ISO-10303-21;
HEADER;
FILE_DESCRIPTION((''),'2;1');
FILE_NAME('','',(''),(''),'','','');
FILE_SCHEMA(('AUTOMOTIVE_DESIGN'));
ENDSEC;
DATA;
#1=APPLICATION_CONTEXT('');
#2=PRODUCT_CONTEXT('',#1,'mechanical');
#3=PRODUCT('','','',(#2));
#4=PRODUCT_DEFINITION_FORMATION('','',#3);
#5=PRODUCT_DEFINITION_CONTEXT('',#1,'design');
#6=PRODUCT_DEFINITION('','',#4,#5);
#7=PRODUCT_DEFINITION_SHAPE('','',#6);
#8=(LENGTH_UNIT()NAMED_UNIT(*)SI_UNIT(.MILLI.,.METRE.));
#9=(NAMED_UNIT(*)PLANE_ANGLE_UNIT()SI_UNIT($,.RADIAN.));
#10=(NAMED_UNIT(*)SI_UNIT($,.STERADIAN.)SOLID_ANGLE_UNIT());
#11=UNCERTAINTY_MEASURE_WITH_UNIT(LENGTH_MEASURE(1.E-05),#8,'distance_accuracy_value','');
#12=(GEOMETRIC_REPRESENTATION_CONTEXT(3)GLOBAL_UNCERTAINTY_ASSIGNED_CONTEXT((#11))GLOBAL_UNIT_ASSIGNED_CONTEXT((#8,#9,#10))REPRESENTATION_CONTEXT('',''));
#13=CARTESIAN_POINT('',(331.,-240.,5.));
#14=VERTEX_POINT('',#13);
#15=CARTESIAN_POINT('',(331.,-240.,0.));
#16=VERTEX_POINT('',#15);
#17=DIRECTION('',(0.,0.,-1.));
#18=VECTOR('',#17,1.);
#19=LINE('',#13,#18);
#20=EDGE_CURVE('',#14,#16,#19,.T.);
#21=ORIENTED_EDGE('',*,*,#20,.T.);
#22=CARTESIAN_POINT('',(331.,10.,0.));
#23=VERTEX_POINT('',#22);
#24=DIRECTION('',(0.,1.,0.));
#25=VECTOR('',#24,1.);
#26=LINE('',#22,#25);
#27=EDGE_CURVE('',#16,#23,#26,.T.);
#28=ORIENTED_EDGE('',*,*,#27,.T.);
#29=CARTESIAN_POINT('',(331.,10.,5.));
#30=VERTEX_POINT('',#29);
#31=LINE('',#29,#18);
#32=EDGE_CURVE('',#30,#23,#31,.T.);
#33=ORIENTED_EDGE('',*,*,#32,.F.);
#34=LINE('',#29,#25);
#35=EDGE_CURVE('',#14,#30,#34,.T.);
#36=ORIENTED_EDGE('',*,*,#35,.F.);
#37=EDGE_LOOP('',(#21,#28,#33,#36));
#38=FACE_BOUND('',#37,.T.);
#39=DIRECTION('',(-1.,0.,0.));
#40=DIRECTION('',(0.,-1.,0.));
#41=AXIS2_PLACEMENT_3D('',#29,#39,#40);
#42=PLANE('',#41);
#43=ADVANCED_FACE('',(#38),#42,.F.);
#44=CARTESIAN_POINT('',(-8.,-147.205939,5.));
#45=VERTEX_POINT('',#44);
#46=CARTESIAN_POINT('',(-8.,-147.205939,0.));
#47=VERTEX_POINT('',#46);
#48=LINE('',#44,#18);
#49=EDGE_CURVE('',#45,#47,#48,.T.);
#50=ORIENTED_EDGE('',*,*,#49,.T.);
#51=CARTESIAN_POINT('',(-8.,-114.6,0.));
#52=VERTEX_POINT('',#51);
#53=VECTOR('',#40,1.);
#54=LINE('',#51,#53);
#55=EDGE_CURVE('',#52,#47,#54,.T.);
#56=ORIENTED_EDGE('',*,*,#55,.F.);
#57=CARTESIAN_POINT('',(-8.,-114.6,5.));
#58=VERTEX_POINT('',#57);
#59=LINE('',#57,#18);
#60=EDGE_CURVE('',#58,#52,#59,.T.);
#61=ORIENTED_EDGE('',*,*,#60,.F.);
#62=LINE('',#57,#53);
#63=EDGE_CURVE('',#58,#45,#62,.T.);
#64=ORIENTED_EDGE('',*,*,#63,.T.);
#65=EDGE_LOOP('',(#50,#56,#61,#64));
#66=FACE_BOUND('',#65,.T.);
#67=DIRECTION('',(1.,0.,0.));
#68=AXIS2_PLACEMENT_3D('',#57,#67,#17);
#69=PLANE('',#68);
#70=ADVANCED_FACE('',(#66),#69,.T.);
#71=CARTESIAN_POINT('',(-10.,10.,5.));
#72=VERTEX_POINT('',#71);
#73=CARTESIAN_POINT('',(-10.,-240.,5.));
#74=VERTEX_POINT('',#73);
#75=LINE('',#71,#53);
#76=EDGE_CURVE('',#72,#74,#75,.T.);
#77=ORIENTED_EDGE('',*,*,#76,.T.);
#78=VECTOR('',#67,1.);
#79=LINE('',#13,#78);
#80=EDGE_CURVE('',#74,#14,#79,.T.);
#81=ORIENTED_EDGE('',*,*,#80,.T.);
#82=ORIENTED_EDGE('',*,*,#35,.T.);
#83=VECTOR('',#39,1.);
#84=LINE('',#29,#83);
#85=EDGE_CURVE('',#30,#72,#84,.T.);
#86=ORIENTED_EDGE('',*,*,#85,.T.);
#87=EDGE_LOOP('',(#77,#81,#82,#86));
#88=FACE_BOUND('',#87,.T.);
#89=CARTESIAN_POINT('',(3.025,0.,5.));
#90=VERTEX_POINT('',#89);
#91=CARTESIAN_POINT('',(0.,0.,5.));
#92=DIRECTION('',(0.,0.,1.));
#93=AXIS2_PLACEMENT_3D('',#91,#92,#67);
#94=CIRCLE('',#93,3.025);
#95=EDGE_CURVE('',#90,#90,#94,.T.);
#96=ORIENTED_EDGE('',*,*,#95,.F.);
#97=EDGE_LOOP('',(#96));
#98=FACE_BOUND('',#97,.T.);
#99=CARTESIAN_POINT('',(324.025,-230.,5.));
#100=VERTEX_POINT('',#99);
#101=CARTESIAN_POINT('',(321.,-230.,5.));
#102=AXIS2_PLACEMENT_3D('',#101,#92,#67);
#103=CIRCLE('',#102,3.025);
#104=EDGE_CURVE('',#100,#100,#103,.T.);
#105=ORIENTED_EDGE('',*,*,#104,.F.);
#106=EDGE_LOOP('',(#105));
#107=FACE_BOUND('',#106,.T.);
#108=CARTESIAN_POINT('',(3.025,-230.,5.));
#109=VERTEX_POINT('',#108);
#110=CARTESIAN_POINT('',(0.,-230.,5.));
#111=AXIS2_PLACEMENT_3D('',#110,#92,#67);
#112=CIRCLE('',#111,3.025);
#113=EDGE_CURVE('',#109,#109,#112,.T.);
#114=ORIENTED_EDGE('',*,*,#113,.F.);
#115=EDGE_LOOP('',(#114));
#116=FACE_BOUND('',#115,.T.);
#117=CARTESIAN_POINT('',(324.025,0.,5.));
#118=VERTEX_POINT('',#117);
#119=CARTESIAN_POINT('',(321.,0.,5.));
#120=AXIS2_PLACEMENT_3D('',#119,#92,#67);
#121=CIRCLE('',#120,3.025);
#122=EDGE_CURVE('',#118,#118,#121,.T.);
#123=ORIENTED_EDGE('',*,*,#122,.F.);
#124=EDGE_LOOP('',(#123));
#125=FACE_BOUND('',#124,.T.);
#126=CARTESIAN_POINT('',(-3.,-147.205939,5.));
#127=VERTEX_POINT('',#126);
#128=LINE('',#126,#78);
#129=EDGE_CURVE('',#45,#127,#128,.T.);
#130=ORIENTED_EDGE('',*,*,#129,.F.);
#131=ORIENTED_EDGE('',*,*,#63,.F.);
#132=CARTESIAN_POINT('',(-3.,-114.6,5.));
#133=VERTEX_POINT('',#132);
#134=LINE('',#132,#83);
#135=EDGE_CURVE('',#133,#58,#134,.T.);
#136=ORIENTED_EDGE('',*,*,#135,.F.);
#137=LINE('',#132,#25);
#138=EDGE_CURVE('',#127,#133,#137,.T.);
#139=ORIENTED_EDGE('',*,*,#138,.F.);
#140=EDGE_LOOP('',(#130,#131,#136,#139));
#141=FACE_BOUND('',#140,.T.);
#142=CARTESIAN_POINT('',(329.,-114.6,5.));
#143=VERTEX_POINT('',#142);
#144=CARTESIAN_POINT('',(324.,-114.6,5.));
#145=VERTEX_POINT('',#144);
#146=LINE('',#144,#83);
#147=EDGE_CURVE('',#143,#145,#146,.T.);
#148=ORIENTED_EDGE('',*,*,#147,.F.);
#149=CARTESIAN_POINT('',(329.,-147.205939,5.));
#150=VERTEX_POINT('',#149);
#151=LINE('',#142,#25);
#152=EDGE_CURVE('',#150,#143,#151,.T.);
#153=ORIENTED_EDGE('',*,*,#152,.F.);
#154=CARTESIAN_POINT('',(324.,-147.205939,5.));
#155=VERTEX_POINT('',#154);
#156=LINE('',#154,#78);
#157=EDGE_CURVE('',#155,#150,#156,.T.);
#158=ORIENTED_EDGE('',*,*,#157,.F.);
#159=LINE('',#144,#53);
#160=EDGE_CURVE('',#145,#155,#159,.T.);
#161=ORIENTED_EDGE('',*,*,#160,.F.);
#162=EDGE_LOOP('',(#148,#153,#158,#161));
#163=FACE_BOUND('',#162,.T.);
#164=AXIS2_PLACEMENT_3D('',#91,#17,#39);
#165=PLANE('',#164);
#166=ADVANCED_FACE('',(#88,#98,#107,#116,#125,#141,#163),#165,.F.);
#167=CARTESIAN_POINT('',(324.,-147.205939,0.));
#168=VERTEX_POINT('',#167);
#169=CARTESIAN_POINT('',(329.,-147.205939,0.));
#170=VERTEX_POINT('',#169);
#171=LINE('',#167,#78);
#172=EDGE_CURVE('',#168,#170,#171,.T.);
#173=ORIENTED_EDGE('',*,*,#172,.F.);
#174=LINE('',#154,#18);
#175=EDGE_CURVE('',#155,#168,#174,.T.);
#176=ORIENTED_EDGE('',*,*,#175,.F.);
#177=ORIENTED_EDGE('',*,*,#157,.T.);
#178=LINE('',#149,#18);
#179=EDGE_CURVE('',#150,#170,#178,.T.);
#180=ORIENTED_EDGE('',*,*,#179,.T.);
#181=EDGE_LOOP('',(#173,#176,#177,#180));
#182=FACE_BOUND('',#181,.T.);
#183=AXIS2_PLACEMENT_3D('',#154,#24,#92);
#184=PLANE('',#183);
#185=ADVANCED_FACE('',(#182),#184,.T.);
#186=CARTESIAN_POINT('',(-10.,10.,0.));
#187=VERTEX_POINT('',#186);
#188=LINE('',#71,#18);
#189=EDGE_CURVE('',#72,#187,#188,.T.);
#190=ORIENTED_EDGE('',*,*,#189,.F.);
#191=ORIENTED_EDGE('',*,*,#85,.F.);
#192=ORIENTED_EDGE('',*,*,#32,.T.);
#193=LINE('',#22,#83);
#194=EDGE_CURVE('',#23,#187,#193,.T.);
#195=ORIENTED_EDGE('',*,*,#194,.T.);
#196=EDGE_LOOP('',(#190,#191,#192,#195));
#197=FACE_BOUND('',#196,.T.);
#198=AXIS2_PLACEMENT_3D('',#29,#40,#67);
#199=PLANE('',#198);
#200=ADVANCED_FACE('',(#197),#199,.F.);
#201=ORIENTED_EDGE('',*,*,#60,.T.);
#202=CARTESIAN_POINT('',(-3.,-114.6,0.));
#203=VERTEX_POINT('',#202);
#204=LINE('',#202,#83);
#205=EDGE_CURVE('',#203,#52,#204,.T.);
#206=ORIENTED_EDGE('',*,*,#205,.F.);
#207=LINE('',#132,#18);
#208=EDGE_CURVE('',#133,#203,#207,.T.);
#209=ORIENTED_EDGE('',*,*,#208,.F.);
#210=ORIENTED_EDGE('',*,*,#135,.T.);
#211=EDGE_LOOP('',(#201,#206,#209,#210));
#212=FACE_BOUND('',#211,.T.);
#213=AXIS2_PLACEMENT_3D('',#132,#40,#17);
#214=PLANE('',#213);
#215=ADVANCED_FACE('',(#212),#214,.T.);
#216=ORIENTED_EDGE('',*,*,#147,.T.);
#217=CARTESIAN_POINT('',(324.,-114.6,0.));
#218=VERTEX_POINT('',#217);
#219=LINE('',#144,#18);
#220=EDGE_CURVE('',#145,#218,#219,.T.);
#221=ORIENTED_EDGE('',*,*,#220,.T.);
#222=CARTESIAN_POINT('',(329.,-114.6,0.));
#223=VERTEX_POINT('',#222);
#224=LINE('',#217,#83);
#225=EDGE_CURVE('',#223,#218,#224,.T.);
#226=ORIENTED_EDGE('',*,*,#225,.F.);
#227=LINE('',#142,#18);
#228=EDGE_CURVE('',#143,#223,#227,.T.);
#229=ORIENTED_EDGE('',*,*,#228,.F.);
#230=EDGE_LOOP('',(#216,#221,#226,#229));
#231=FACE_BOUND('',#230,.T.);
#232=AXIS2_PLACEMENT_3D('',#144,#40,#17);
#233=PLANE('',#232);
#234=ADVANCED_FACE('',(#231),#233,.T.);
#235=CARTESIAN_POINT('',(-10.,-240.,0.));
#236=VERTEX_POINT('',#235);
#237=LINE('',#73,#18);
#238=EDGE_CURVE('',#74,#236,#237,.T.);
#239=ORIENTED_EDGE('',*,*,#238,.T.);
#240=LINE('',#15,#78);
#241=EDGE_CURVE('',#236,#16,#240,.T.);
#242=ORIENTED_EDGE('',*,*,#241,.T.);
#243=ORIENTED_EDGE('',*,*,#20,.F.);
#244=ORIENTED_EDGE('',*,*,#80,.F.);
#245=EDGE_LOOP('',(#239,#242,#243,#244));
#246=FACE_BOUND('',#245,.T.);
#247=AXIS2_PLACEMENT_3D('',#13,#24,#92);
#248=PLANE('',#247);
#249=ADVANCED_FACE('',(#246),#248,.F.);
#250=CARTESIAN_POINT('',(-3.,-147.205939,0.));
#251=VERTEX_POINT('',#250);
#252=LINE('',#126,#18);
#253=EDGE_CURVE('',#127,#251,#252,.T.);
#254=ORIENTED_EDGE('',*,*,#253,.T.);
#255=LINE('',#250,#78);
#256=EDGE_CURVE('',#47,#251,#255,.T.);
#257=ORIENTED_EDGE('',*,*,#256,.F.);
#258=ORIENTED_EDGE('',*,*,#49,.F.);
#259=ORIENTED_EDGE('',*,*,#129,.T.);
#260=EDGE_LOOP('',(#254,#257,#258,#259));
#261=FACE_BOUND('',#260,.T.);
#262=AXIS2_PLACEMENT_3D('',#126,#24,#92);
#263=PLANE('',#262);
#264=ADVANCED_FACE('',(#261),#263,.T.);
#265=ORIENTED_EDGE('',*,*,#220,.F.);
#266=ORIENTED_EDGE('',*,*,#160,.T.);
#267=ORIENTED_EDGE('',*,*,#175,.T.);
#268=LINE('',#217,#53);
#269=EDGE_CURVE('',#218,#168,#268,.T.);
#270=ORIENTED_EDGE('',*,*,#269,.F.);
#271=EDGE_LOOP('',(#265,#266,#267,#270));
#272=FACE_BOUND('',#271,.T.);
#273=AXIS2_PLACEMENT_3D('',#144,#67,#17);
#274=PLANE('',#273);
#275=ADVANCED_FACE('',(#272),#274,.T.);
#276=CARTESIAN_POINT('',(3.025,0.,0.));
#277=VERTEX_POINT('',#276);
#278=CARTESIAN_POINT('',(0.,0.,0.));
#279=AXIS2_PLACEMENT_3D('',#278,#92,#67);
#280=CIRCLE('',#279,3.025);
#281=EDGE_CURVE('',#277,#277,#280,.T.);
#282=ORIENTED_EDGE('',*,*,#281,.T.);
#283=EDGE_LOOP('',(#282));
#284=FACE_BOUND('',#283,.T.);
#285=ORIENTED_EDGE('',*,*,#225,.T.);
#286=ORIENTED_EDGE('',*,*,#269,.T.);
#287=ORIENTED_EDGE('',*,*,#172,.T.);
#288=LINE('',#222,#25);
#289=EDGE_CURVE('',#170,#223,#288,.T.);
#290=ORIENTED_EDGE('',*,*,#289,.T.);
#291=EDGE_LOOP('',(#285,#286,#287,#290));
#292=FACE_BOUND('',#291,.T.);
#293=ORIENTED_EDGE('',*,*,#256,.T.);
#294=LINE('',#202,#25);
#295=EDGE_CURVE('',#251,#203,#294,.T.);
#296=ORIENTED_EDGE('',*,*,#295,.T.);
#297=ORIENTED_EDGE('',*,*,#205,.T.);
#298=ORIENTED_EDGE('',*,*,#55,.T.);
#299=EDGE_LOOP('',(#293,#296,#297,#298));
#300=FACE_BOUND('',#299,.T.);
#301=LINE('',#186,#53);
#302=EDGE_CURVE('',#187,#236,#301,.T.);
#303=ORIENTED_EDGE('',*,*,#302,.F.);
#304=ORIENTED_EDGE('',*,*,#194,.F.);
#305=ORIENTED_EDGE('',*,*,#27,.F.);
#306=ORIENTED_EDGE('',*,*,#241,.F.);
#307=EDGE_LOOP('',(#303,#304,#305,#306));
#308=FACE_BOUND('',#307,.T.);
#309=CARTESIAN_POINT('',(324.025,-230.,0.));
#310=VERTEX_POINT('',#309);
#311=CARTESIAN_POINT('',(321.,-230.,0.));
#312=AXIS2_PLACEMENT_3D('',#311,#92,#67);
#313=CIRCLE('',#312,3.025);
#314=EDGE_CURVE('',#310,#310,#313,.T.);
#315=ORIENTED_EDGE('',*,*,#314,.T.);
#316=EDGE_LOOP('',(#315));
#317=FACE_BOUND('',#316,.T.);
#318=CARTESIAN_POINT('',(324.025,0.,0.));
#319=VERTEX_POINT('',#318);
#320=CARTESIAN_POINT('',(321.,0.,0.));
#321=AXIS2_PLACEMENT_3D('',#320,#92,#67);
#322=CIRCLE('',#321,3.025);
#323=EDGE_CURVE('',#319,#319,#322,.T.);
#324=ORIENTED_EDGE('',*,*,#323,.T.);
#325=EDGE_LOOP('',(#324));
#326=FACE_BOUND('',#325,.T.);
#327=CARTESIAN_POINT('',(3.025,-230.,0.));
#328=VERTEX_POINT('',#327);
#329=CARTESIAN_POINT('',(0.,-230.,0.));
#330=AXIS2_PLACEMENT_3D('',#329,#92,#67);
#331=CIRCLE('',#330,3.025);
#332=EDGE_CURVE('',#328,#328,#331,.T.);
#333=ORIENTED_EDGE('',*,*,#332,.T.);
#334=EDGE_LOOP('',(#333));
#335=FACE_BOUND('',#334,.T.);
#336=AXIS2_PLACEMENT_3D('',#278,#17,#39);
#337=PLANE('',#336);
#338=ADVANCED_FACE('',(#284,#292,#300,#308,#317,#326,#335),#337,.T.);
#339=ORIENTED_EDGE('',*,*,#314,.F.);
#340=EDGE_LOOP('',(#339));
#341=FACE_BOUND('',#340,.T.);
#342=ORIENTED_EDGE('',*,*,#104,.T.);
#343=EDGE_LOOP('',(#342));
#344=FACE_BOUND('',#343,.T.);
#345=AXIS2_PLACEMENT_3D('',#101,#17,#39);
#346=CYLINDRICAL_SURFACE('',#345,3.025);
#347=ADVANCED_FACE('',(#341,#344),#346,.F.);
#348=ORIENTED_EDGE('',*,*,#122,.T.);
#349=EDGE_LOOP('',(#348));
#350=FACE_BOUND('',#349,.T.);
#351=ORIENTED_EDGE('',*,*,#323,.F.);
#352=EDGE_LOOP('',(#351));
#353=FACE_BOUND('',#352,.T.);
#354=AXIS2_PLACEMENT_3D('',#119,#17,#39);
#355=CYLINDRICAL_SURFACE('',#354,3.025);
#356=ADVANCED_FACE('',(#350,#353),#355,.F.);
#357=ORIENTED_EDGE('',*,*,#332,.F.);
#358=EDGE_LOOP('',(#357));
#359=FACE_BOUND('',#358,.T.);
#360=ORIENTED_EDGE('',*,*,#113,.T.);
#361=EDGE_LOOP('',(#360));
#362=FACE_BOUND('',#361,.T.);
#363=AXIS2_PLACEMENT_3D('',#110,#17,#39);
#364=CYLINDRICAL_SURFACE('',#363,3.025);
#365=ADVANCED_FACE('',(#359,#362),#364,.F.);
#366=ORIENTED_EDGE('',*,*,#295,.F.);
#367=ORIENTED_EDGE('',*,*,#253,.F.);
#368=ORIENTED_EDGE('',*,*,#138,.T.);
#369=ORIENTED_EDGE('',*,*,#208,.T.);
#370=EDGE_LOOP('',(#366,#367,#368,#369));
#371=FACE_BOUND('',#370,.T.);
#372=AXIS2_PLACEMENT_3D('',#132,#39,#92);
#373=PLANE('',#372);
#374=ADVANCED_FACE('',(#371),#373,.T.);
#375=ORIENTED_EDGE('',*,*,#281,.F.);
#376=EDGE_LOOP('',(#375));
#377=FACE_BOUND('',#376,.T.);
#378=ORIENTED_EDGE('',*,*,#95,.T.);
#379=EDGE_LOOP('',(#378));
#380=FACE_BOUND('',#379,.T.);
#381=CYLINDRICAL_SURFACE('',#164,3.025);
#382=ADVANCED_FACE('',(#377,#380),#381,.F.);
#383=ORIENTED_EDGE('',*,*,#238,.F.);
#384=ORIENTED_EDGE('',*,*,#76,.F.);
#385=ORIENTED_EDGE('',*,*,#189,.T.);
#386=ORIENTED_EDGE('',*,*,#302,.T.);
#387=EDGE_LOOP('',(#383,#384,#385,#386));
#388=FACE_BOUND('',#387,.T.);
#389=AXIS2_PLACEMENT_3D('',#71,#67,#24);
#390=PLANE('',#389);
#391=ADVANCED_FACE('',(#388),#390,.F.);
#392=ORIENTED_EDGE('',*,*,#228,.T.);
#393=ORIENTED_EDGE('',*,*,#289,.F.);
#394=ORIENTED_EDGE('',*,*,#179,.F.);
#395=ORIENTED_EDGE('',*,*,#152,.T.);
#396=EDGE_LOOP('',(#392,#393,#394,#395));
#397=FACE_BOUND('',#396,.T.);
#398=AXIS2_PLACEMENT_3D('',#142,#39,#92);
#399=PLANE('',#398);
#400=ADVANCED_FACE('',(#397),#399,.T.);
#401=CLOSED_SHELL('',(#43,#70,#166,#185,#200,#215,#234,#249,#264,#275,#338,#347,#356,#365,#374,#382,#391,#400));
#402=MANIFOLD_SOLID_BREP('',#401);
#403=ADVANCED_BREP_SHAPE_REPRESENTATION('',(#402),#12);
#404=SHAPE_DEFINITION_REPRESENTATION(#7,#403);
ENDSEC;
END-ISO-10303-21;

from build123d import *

# Parameters (mm, degrees)
SKETCH1_W           = 341
SKETCH1_H           = 250
SKETCH1_R           = 3.025
SKETCH1_W_2         = 5
SKETCH1_H_2         = 32.605939298
BOSS_EXTRUDE1_DEPTH = 5


with BuildPart() as part:
    # Sketch1 → Boss-Extrude1 (new body)
    with BuildSketch(Plane.XY):
        with Locations((160.5, -115)):
            Rectangle(SKETCH1_W, SKETCH1_H)
        with Locations((0, -230)):
            Circle(SKETCH1_R, mode=Mode.SUBTRACT)
        Circle(SKETCH1_R, mode=Mode.SUBTRACT)
        with Locations((321, 0)):
            Circle(SKETCH1_R, mode=Mode.SUBTRACT)
        with Locations((321, -230)):
            Circle(SKETCH1_R, mode=Mode.SUBTRACT)
        with Locations((-5.5, -130.902969649)):
            Rectangle(SKETCH1_W_2, SKETCH1_H_2, mode=Mode.SUBTRACT)
        with Locations((326.5, -130.902969649)):
            Rectangle(SKETCH1_W_2, SKETCH1_H_2, mode=Mode.SUBTRACT)
    extrude(amount=BOSS_EXTRUDE1_DEPTH)


solid = part.part
